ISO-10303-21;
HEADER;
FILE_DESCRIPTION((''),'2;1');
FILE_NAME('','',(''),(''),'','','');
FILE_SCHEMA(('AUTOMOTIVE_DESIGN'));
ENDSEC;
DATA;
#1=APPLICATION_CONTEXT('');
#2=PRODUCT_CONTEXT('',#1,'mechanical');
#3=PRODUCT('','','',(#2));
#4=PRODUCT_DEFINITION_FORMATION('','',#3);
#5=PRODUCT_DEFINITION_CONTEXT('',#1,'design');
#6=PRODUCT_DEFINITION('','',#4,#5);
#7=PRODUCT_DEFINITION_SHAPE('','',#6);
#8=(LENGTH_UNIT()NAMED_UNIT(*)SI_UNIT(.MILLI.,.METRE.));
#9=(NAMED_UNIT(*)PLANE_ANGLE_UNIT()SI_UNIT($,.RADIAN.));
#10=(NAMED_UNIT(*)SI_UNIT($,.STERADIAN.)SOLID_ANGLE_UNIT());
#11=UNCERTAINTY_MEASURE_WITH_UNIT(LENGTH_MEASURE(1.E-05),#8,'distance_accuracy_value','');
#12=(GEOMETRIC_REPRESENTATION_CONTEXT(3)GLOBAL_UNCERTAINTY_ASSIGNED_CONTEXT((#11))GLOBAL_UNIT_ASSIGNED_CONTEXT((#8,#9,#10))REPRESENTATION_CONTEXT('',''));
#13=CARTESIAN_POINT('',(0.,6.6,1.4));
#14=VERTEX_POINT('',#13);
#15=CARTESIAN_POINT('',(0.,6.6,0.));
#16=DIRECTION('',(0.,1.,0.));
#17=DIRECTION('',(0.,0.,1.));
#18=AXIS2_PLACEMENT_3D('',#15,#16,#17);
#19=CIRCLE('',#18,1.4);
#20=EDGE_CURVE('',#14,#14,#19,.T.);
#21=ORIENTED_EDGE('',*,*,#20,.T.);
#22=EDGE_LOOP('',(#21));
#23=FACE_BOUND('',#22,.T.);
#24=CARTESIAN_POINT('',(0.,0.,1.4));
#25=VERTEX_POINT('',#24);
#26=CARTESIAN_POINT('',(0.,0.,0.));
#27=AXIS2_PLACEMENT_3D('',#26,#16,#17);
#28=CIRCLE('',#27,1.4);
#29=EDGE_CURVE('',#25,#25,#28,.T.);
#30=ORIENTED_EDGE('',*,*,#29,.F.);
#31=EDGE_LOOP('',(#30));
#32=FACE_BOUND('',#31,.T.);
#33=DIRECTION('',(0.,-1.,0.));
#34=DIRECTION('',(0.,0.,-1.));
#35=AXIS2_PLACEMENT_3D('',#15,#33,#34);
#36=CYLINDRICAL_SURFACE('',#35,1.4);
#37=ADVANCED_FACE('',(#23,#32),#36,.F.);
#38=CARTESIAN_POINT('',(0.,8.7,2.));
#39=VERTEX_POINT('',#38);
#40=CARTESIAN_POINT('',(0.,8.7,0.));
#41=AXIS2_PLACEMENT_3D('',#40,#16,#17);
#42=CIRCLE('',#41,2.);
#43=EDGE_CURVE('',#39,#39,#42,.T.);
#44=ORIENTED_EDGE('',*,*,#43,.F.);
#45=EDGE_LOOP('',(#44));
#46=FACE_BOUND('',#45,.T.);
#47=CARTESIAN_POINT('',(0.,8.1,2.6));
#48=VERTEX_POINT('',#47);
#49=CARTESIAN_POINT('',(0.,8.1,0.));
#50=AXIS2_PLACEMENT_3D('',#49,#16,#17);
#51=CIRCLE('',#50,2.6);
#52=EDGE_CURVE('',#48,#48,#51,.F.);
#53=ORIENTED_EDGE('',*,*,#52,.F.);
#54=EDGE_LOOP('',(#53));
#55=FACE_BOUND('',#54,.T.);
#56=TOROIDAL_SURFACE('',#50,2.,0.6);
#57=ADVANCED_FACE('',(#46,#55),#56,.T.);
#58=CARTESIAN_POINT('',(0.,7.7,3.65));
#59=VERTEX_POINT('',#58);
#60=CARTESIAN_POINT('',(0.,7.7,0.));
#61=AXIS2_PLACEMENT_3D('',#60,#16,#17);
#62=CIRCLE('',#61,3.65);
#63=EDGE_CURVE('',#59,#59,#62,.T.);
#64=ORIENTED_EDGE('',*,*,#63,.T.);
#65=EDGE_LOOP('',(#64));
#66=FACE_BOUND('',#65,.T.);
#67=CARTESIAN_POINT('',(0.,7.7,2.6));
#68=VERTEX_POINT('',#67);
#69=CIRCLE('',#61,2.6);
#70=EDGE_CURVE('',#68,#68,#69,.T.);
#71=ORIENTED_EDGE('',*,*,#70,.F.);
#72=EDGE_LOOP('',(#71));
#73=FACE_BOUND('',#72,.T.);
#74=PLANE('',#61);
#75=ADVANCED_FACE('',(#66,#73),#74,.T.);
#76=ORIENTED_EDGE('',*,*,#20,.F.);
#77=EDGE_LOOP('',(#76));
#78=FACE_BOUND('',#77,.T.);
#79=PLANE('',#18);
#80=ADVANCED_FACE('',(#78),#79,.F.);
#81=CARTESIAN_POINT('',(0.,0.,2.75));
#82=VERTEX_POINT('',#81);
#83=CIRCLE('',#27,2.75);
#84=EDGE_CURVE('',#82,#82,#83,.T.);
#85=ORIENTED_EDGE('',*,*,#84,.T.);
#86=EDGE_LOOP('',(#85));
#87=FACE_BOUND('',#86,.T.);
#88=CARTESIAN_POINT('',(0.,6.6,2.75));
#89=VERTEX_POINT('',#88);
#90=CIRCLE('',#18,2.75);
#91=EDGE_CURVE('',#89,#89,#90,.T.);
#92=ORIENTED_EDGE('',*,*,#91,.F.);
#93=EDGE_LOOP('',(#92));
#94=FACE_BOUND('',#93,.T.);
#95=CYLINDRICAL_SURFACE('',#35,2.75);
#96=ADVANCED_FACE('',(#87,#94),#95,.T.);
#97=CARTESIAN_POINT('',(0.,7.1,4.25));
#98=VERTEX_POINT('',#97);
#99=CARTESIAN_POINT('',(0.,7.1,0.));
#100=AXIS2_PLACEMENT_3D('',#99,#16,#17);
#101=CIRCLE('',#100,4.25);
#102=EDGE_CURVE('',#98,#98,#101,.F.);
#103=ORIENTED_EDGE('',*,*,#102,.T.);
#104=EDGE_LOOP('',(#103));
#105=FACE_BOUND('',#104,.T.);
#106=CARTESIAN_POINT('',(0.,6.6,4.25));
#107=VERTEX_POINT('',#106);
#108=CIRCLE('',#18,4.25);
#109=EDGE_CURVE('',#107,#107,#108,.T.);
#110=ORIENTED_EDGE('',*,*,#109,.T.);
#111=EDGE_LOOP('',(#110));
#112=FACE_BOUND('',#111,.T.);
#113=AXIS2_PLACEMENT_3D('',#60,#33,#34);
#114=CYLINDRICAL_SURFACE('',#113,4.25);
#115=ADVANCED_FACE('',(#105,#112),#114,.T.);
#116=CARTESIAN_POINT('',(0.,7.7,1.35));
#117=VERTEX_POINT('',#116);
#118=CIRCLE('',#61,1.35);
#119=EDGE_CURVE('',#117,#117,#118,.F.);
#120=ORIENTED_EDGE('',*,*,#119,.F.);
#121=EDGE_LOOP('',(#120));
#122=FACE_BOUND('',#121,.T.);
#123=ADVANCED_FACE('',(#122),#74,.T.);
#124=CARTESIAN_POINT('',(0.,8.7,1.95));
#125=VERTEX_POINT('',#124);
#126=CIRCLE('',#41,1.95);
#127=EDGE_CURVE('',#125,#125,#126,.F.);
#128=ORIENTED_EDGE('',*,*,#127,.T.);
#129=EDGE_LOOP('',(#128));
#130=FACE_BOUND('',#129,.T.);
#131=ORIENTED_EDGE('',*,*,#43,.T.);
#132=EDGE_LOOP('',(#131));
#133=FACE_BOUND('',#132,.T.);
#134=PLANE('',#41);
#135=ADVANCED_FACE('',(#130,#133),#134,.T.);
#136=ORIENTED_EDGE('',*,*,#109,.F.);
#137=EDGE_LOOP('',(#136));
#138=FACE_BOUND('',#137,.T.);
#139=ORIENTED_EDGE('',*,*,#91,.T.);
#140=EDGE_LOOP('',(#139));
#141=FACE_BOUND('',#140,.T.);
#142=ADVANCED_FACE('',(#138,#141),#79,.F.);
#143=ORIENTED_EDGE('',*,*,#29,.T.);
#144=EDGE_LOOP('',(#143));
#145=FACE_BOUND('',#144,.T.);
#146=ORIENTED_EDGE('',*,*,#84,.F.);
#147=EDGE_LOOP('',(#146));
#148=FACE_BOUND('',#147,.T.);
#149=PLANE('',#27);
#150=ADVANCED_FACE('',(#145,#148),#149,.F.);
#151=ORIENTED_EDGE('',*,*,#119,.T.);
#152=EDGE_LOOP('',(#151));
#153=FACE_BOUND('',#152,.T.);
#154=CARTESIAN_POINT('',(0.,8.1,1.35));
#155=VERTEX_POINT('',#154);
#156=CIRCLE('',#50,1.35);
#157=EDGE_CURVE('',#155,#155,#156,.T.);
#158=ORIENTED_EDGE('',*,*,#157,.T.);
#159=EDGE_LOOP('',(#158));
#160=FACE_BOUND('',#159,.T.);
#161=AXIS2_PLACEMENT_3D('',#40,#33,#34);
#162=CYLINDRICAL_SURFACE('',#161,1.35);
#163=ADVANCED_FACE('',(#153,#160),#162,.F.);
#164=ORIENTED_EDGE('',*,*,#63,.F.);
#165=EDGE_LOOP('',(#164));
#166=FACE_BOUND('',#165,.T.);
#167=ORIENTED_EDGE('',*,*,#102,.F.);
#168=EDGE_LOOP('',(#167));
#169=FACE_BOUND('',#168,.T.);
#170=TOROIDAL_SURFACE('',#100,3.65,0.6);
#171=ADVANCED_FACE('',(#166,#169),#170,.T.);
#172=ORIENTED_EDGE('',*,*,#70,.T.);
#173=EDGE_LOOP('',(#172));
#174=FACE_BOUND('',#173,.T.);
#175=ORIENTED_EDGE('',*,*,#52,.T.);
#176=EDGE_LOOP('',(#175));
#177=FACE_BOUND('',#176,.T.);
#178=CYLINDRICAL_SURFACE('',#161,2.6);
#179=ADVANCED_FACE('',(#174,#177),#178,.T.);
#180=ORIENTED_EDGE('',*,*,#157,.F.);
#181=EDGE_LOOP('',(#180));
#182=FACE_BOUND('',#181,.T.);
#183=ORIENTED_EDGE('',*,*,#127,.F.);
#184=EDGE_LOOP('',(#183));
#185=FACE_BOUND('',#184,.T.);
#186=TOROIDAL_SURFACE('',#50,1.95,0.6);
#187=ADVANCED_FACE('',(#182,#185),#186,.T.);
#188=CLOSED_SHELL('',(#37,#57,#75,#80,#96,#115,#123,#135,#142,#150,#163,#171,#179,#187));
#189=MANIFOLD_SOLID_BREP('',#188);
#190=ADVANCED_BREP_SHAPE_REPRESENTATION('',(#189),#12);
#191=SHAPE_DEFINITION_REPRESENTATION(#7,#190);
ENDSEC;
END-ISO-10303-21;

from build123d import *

# Parameters (mm, degrees)
SKETCH1_R           = 2.75
SKETCH1_R_2         = 1.4
BOSS_EXTRUDE1_DEPTH = 6.6
SKETCH2_R           = 4.25
BOSS_EXTRUDE2_DEPTH = 1.1
SKETCH3_R           = 2.6
SKETCH3_R_2         = 1.35
BOSS_EXTRUDE3_DEPTH = 1
FILLET1_R           = 0.6


with BuildPart() as part:
    # Sketch1 → Boss-Extrude1 (new body)
    with BuildSketch(Plane(origin=(0, 0, 0), x_dir=(1, 0, 0), z_dir=(0, 1, 0))):
        Circle(SKETCH1_R)
        Circle(SKETCH1_R_2, mode=Mode.SUBTRACT)
    extrude(amount=BOSS_EXTRUDE1_DEPTH)

    # Sketch2 → Boss-Extrude2 (add)
    with BuildSketch(Plane(origin=(0, 6.6, 0), x_dir=(1, 0, 0), z_dir=(0, 1, 0))):
        Circle(SKETCH2_R)
    extrude(amount=BOSS_EXTRUDE2_DEPTH)

    # Sketch3 → Boss-Extrude3 (add)
    with BuildSketch(Plane(origin=(0, 7.7, 0), x_dir=(1, 0, 0), z_dir=(0, 1, 0))):
        Circle(SKETCH3_R)
        Circle(SKETCH3_R_2, mode=Mode.SUBTRACT)
    extrude(amount=BOSS_EXTRUDE3_DEPTH)

    # Fillet1
    fillet1_edges = [part.edges().sort_by_distance(p)[0] for p in [
        (-2.6, 8.7, 0),
        (-1.35, 8.7, 0),
        (-4.25, 7.7, 0),
    ]]
    fillet(fillet1_edges, radius=FILLET1_R)


solid = part.part
